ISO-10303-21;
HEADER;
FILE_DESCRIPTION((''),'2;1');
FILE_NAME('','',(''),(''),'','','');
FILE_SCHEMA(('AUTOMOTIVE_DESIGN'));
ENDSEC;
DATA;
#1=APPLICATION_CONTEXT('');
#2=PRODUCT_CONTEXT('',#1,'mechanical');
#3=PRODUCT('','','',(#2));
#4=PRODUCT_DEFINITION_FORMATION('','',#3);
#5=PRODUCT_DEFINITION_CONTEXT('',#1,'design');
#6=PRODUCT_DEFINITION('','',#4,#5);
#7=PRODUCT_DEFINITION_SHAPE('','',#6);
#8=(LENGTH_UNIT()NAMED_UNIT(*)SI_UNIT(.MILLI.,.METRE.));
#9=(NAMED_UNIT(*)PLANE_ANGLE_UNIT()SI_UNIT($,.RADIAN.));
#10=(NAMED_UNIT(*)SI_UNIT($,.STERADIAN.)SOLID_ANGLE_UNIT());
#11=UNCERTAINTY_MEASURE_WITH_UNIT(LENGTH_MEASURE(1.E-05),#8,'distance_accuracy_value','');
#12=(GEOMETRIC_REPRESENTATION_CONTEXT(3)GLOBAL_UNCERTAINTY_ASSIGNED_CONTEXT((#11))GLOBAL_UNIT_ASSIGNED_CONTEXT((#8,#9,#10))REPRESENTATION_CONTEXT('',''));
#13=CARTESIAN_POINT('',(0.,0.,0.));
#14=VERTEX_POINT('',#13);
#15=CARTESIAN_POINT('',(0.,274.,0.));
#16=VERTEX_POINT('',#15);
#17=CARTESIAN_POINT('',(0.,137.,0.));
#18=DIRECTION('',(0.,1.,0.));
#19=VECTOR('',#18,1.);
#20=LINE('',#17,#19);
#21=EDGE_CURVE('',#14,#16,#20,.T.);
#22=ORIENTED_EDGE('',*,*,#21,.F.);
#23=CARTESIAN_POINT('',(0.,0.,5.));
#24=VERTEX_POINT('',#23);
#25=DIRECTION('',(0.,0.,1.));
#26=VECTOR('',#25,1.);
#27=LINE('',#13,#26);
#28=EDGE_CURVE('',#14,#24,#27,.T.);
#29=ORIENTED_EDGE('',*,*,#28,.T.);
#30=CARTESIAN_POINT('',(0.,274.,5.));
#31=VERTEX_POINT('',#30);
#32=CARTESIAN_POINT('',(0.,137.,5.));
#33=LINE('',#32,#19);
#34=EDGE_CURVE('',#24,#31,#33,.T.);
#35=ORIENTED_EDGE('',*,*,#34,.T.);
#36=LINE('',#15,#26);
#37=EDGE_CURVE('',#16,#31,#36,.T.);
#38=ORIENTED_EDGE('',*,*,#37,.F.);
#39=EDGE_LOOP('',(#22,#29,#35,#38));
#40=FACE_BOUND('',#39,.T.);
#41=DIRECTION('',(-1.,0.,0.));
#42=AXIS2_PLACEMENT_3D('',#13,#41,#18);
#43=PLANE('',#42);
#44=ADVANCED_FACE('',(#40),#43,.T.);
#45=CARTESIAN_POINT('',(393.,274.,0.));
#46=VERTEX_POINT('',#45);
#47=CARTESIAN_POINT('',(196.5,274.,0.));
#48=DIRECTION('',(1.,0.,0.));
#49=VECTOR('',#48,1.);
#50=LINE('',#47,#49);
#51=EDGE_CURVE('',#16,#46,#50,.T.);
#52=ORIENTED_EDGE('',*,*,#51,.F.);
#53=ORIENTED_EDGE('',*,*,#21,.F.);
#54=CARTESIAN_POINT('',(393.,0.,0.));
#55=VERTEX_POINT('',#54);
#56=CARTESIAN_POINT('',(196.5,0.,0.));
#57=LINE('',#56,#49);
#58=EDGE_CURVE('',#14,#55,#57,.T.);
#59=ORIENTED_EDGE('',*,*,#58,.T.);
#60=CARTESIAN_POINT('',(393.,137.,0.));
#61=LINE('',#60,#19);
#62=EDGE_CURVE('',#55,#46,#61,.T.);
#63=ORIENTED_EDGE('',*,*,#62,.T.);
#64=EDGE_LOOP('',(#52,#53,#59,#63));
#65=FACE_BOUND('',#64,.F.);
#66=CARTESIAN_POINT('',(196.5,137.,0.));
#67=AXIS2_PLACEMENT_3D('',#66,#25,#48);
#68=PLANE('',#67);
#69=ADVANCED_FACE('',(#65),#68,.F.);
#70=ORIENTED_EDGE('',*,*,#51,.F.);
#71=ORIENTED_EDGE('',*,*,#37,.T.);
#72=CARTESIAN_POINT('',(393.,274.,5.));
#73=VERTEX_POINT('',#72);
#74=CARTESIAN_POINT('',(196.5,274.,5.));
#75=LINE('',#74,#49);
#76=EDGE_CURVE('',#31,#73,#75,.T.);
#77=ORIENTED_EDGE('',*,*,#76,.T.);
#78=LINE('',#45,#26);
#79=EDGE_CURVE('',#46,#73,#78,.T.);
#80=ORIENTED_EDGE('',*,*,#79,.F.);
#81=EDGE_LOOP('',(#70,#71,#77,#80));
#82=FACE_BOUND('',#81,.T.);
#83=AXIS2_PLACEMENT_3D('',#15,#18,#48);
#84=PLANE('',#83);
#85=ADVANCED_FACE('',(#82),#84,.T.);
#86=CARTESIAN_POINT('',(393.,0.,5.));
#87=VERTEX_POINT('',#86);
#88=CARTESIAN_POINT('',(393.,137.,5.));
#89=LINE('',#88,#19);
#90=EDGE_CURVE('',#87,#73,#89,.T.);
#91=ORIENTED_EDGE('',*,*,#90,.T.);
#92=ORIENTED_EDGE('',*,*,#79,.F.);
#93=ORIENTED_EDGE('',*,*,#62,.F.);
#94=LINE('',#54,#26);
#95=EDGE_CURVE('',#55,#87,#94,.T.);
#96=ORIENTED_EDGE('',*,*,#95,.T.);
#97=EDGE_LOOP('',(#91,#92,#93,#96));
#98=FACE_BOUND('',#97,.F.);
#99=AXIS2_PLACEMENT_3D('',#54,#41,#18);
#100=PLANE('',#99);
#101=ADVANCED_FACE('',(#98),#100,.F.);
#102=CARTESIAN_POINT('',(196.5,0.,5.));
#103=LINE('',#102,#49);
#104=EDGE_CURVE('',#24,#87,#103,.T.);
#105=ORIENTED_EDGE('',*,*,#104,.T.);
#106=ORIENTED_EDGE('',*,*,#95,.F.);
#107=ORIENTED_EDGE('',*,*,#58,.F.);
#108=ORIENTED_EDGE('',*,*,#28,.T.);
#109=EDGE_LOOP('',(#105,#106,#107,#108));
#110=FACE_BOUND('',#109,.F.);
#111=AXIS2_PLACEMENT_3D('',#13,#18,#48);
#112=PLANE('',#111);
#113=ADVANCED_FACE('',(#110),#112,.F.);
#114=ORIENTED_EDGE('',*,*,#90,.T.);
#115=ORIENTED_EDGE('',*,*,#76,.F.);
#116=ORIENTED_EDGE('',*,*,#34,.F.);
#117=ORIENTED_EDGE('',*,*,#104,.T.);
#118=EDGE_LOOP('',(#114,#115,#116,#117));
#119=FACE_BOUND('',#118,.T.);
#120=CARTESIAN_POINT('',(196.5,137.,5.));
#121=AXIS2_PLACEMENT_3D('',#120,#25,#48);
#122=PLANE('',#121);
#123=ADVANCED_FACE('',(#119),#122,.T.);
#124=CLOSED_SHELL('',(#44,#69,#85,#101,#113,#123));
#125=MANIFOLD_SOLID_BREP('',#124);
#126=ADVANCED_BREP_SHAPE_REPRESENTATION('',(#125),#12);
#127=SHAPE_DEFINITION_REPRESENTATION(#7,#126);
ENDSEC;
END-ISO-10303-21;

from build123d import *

# Parameters (mm, degrees)
SKETCH_W  = 393
SKETCH_H  = 274
PAD_DEPTH = 5


with BuildPart() as part:
    # Sketch → Pad (new body)
    with BuildSketch(Plane.XY):
        with Locations((196.5, 137)):
            Rectangle(SKETCH_W, SKETCH_H)
    extrude(amount=PAD_DEPTH)


solid = part.part
